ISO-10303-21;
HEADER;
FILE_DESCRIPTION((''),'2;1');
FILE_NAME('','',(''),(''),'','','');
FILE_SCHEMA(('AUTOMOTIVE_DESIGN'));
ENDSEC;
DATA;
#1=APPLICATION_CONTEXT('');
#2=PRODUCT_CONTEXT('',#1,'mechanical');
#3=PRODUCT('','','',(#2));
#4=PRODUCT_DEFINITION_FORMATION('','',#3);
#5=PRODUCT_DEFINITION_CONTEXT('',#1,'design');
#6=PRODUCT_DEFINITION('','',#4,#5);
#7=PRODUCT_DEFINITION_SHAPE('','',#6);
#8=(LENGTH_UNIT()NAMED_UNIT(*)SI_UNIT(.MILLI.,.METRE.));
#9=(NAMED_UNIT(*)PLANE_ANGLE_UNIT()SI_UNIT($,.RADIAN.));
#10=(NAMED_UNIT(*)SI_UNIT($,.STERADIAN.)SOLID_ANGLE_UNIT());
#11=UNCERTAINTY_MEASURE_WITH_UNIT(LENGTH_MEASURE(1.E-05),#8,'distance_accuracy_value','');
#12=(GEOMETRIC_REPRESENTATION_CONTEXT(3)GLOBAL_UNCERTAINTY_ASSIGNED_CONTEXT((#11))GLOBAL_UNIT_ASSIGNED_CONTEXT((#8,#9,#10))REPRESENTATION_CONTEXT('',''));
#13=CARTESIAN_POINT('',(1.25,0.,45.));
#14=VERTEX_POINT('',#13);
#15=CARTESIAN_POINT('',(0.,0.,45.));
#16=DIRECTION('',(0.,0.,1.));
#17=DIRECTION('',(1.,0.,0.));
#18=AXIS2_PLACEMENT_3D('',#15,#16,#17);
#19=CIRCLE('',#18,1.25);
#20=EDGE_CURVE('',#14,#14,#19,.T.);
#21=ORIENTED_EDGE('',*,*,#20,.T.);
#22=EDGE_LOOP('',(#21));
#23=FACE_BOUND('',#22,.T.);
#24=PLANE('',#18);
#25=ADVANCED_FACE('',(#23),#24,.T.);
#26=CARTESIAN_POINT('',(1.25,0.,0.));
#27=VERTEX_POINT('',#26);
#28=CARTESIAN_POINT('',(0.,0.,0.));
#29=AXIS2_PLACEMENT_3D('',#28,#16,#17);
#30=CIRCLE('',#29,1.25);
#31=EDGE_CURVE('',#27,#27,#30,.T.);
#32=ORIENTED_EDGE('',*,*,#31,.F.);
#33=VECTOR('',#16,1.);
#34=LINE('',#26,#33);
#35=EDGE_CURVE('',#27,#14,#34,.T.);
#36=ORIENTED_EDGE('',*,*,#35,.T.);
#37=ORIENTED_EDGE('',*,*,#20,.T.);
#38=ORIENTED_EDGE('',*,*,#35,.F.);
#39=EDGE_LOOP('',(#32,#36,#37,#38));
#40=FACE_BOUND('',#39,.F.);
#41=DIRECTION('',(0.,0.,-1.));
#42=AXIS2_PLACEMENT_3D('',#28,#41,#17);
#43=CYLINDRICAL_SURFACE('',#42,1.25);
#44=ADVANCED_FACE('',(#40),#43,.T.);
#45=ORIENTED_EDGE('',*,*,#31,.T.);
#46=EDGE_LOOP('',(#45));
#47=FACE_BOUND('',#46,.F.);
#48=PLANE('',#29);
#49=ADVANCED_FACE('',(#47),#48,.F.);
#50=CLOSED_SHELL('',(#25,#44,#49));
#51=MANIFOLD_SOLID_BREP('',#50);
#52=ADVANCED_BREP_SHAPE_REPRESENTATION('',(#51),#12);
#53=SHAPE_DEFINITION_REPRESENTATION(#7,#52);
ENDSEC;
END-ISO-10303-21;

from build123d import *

# Parameters (mm, degrees)
SCHIZZO1_R                   = 1.25
ESTRUSIONE_ESTRUSIONE1_DEPTH = 45


with BuildPart() as part:
    # Schizzo1 → Estrusione-Estrusione1 (new body)
    with BuildSketch(Plane.XY):
        Circle(SCHIZZO1_R)
    extrude(amount=ESTRUSIONE_ESTRUSIONE1_DEPTH)


solid = part.part
